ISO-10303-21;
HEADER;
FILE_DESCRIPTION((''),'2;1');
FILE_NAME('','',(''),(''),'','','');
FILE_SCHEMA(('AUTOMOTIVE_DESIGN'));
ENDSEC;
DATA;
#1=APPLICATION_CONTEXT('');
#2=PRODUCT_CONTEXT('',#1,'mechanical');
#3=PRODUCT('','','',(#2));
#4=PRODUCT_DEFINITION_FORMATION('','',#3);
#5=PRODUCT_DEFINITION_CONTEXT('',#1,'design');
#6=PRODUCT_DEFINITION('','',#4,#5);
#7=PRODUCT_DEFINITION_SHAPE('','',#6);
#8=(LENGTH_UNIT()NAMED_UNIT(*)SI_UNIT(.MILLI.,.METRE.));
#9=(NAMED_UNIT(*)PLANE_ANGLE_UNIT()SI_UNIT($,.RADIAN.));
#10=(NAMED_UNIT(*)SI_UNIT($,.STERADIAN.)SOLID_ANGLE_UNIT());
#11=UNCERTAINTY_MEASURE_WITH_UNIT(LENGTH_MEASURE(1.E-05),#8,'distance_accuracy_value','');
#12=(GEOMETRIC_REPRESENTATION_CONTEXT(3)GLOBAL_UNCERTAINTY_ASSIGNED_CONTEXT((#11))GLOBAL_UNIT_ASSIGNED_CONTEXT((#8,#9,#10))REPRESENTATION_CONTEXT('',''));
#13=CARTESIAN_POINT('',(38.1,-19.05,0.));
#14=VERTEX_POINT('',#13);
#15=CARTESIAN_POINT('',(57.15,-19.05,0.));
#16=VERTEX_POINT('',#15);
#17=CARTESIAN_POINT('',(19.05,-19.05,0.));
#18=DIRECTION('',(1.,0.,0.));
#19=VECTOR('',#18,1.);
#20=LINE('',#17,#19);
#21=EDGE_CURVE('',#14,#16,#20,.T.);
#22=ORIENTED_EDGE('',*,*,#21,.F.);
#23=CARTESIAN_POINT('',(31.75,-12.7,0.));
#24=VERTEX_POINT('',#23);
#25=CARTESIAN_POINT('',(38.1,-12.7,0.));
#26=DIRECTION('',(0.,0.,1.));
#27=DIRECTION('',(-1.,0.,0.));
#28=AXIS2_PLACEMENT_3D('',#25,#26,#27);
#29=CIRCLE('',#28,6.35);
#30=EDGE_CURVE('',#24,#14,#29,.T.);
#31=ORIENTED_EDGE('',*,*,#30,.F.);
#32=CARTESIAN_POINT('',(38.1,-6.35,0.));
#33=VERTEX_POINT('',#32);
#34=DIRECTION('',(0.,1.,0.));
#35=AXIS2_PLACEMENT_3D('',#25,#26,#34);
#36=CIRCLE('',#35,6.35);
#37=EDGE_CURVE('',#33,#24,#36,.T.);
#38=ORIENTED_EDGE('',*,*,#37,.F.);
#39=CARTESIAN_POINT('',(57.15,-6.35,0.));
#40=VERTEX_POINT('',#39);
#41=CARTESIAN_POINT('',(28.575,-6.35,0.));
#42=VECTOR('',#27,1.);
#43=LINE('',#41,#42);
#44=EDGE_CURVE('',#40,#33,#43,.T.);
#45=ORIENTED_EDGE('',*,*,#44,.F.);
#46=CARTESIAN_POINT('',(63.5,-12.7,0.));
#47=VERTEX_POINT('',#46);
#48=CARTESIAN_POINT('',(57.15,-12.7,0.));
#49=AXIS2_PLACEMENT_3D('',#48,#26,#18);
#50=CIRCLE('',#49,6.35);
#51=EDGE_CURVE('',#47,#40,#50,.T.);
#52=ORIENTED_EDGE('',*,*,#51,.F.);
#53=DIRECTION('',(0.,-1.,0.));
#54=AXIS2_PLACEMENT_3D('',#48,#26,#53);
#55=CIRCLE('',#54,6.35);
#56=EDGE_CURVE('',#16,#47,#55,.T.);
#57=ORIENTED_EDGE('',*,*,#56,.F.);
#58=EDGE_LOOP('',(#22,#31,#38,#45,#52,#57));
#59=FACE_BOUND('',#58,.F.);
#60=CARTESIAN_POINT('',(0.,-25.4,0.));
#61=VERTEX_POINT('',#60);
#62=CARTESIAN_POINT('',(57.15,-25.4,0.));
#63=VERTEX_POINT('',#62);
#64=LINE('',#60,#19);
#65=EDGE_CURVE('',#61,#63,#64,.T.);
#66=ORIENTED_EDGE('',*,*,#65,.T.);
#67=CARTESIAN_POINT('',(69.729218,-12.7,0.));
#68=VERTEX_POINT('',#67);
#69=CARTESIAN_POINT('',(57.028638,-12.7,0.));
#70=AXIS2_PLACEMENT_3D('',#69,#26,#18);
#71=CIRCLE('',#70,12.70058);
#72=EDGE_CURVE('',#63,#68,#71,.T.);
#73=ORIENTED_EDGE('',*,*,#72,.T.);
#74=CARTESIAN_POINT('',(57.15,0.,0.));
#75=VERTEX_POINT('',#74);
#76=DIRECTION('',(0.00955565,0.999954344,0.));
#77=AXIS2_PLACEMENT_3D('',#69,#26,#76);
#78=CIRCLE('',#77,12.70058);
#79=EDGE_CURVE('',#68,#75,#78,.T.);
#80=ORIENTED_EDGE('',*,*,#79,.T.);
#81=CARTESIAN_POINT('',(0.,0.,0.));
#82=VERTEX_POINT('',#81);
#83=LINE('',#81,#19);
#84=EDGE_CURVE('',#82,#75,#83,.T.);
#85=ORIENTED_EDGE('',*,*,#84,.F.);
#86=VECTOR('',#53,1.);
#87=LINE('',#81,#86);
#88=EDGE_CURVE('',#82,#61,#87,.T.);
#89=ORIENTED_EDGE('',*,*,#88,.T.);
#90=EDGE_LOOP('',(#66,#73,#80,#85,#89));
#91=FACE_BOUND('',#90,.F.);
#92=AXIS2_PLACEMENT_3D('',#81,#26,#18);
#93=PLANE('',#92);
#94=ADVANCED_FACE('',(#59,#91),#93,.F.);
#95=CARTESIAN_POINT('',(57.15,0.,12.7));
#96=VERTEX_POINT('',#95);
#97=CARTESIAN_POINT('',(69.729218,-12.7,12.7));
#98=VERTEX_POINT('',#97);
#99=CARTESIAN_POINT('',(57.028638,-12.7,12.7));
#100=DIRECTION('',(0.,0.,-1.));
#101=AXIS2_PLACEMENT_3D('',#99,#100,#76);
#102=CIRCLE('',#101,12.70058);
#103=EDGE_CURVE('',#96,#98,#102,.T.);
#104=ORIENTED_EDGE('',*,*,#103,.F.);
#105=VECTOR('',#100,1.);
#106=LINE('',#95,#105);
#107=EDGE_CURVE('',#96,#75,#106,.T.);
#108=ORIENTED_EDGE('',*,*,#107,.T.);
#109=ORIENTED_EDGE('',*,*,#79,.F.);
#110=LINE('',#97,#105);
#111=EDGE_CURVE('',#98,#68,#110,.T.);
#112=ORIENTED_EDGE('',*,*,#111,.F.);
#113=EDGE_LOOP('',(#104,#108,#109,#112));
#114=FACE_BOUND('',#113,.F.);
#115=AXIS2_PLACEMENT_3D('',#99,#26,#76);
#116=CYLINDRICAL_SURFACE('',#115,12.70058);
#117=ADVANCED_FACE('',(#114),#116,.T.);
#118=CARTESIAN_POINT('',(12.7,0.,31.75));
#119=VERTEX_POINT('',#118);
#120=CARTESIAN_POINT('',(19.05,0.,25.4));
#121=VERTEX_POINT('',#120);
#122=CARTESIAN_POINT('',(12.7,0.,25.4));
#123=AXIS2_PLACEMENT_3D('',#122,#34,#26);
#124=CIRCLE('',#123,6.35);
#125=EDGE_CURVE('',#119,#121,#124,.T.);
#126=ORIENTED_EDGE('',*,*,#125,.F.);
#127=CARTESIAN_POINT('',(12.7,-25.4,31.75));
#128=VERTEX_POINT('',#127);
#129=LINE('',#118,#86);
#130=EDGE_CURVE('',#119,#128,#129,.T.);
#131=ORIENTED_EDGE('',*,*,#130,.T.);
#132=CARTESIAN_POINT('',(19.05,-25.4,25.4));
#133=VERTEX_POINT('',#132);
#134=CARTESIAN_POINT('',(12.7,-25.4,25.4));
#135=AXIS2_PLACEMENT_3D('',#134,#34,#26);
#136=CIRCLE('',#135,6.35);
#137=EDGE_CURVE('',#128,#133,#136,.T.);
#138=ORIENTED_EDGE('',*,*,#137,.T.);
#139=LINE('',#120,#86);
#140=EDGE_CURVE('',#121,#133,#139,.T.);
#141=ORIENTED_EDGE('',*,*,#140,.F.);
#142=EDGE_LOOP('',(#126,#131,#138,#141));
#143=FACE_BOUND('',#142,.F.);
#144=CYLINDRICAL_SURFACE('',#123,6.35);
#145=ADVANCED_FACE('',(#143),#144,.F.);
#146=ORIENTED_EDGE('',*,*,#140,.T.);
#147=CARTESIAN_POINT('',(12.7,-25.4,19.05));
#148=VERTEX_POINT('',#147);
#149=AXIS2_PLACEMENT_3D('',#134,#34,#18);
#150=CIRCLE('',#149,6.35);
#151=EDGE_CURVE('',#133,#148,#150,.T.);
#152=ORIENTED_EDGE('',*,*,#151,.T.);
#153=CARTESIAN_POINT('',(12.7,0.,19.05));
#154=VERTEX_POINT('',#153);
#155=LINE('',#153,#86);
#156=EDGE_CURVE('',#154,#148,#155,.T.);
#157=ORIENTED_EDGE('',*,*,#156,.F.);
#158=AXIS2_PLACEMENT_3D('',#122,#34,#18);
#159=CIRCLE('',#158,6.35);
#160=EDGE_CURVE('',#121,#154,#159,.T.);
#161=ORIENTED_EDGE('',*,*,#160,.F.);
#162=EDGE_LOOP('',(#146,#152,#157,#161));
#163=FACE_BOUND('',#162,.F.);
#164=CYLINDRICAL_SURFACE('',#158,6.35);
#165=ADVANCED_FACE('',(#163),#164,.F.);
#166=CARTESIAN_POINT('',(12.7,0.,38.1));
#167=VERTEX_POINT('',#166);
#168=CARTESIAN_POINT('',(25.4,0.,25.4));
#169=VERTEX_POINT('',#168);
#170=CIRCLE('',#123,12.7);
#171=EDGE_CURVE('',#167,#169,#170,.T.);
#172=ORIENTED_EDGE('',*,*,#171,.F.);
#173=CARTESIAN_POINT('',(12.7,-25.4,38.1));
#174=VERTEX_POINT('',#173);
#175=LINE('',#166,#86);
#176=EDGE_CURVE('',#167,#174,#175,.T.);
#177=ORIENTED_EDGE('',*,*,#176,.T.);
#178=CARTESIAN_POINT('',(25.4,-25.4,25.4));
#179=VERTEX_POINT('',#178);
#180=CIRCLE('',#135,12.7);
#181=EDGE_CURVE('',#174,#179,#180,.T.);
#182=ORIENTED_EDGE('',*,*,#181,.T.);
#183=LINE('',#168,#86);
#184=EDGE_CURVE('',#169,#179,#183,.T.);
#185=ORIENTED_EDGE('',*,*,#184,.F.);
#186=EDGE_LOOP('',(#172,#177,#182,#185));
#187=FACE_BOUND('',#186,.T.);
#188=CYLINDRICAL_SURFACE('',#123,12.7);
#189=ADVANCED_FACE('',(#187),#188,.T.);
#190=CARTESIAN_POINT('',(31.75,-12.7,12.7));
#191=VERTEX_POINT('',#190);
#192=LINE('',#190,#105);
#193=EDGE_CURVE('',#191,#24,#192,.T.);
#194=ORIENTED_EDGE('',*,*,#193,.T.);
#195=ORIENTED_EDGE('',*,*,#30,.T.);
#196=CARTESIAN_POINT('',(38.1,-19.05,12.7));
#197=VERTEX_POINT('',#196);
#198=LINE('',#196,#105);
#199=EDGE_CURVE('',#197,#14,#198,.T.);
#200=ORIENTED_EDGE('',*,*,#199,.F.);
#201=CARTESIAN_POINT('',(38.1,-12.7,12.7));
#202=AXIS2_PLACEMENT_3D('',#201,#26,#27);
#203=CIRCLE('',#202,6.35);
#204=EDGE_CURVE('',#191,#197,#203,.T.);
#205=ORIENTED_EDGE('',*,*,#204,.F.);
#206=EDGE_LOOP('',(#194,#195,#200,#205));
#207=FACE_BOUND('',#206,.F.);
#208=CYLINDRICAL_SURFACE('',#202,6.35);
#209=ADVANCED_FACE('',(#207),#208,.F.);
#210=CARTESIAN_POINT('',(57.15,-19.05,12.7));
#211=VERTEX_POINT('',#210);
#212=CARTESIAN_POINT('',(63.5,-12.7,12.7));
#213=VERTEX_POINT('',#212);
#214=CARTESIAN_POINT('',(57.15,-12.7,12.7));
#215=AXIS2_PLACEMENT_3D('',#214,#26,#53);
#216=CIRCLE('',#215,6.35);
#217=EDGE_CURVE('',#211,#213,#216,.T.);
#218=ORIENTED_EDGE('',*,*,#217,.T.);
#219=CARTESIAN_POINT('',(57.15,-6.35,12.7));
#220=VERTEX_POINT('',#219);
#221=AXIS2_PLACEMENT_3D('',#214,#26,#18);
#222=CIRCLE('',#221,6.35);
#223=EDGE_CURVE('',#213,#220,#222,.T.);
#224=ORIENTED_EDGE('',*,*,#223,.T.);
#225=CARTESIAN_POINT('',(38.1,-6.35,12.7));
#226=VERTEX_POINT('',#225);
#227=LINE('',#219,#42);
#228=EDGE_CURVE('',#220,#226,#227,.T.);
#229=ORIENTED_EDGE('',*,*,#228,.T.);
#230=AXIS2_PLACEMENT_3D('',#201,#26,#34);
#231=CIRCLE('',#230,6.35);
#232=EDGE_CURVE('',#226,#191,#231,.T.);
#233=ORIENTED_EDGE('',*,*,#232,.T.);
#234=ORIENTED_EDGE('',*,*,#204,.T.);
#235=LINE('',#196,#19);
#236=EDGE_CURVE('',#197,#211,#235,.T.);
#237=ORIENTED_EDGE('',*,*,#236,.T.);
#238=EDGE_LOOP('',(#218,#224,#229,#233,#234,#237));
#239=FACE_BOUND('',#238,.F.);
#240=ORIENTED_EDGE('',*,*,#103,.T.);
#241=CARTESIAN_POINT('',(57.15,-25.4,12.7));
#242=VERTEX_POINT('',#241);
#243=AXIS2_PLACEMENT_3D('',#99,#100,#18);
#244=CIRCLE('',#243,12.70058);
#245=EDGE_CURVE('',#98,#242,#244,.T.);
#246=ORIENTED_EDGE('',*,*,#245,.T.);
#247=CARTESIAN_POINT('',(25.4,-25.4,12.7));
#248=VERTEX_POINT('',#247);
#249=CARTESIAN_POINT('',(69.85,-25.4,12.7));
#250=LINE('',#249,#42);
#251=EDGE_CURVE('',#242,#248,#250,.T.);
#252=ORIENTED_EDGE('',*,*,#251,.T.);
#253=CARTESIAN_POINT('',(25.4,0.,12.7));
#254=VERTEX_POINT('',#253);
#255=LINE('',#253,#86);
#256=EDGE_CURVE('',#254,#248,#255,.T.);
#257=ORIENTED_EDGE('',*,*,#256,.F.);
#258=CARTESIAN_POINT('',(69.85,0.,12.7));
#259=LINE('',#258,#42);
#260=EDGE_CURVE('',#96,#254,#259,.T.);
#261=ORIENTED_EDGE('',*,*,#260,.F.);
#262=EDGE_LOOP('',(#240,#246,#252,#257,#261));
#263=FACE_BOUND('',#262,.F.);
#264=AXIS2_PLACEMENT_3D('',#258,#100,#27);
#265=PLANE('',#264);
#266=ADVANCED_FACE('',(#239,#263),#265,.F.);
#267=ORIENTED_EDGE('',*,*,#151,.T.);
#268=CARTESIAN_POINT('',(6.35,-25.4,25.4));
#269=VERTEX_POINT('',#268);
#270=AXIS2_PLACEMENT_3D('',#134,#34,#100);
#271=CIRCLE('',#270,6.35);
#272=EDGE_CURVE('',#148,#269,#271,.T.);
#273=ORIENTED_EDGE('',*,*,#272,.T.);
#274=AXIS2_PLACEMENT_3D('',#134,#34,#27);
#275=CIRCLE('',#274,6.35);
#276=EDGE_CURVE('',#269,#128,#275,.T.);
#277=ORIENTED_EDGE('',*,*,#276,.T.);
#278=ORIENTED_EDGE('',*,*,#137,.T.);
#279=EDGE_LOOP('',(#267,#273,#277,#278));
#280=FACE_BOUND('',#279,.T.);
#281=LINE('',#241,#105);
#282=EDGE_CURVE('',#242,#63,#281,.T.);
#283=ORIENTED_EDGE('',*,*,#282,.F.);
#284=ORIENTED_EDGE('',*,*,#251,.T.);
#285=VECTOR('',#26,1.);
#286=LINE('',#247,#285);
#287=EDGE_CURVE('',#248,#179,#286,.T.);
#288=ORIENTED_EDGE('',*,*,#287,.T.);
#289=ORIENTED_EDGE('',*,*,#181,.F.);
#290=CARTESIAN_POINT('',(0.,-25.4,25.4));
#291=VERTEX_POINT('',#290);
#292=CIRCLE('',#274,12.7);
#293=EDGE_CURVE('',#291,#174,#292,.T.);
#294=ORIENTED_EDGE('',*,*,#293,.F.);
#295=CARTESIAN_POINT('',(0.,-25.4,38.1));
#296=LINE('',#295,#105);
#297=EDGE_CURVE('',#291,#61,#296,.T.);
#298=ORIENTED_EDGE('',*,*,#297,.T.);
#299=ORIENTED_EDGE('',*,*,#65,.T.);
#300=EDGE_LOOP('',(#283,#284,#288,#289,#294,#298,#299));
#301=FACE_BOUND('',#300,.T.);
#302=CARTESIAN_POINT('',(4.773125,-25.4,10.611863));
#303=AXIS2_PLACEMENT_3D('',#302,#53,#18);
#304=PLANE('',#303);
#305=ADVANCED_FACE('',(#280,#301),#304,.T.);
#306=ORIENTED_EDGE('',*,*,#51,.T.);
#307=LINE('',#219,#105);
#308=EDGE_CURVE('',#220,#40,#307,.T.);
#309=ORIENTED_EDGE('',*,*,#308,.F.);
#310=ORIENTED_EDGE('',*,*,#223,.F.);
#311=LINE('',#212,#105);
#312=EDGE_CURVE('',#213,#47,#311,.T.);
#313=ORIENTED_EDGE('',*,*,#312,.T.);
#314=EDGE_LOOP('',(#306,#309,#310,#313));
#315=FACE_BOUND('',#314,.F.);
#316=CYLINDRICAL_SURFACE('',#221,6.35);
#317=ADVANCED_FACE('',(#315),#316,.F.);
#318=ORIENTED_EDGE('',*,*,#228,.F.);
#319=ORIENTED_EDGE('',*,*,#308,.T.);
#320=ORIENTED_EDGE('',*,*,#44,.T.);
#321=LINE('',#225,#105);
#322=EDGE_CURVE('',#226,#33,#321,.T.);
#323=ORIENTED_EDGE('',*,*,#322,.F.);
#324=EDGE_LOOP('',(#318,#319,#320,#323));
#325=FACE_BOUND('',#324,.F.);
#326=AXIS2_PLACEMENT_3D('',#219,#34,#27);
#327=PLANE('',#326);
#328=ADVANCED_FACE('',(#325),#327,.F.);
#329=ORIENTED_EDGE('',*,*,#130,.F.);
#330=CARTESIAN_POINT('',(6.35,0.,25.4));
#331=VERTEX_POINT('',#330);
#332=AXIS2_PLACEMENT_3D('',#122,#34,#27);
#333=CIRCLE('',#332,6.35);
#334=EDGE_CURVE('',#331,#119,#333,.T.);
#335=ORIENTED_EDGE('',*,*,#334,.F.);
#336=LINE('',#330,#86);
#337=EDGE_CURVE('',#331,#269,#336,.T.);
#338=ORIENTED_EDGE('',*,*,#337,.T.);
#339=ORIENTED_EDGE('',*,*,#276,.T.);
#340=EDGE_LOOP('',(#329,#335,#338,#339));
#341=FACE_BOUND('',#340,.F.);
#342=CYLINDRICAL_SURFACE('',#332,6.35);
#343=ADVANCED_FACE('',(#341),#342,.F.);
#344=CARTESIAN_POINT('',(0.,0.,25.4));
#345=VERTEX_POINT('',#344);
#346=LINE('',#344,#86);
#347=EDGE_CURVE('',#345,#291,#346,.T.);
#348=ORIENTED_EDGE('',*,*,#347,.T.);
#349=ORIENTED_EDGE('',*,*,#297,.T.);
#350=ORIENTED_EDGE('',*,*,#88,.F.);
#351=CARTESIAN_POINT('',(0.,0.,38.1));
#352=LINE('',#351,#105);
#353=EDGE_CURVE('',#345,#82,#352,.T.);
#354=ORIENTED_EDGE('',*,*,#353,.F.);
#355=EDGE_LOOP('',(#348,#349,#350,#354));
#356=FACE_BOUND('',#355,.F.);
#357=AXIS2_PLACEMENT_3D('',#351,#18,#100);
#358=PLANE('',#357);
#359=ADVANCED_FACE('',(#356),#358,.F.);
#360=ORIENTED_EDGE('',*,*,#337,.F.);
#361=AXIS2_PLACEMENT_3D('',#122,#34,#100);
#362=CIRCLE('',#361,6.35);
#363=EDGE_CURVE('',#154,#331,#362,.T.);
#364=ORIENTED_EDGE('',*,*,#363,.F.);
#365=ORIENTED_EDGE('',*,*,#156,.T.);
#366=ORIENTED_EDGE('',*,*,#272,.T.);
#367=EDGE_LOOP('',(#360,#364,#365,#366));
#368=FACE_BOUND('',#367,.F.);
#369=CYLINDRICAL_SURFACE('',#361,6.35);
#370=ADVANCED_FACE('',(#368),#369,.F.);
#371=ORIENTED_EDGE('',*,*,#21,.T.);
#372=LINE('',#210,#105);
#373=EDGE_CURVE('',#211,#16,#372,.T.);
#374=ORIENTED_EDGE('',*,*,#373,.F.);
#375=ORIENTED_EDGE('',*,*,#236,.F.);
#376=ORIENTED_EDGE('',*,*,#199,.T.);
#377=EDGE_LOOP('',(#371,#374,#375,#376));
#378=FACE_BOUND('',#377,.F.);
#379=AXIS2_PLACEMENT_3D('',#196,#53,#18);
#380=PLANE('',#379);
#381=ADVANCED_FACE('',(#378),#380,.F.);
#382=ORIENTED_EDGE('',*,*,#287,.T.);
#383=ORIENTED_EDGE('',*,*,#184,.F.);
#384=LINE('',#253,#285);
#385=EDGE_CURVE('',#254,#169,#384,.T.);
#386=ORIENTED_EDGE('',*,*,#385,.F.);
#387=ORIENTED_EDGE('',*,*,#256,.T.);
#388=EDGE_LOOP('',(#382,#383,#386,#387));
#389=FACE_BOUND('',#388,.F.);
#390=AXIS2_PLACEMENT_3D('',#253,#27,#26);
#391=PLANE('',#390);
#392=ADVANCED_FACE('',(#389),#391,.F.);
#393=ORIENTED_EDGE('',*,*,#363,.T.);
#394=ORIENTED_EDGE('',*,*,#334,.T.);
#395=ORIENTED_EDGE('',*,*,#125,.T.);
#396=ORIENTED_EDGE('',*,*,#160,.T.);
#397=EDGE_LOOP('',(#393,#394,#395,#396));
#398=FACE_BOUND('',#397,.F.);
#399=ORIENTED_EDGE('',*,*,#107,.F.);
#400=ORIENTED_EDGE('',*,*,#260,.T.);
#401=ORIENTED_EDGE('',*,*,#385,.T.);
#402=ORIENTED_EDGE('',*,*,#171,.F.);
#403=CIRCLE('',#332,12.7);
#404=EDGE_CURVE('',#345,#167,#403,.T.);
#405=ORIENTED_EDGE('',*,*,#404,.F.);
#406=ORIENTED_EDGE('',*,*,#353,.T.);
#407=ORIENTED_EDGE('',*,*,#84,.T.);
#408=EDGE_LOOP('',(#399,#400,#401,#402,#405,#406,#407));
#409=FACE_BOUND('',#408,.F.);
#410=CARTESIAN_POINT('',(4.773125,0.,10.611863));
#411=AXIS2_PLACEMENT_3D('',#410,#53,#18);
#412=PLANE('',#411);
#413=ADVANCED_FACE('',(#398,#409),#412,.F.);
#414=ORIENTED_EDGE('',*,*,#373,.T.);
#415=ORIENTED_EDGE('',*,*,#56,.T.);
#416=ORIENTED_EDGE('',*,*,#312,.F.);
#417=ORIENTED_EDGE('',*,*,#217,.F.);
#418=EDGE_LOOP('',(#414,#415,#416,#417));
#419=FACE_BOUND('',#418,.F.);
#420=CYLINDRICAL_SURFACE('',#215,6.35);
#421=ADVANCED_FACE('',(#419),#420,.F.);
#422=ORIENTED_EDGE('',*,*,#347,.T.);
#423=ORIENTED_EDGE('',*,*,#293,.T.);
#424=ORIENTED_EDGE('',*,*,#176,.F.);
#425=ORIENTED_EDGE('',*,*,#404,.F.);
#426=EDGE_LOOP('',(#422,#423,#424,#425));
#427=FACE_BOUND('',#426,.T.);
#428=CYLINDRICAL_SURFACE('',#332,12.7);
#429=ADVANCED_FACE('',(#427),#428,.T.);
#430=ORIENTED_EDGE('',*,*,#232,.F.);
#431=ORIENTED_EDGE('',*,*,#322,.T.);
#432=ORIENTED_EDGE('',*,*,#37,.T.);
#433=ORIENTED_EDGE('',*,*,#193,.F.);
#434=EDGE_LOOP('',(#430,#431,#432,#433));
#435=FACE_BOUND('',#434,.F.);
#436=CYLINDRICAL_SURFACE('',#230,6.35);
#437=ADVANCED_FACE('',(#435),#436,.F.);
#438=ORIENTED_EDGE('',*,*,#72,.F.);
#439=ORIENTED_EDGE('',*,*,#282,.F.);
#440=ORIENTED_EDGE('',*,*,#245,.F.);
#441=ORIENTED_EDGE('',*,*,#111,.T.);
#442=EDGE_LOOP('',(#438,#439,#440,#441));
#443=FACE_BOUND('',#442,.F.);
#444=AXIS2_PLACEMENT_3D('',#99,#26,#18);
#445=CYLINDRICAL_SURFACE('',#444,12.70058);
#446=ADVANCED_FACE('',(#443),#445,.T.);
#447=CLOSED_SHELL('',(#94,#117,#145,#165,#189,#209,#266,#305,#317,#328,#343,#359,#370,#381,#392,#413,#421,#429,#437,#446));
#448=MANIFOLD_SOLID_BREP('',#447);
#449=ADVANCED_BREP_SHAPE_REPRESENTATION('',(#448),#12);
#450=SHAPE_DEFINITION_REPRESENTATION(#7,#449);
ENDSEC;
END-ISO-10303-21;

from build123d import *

# Parameters (mm, degrees)
F1_DEPTH = 25.4
F2_DEPTH = 25.4
F4_DEPTH = 25.4


with BuildPart() as f1:
    # F0 (on Front) → F1 (new body)
    with BuildSketch(Plane.XZ):
        with BuildLine():
            Line((0, 25.4), (0, 0))
            Line((0, 0), (12.7, 0))
            Line((12.7, 0), (12.7, 12.7))
            ThreePointArc((12.7, 12.7), (3.7197438789, 16.4197438789), (0, 25.4))
        make_face()
        with BuildLine():
            ThreePointArc((12.7, 38.1), (3.7197438789, 34.3802561211), (0, 25.4))
            Line((0, 25.4), (6.35, 25.4))
            ThreePointArc((6.35, 25.4), (8.2098719395, 29.8901280605), (12.7, 31.75))
            Line((12.7, 31.75), (12.7, 38.1))
        make_face()
        with BuildLine():
            Line((0, 38.1), (0, 25.4))
            ThreePointArc((0, 25.4), (3.7197438789, 34.3802561211), (12.7, 38.1))
            Line((12.7, 38.1), (0, 38.1))
        make_face()
        with BuildLine():
            Line((6.35, 25.4), (0, 25.4))
            ThreePointArc((0, 25.4), (3.7197438789, 16.4197438789), (12.7, 12.7))
            Line((12.7, 12.7), (12.7, 19.05))
            ThreePointArc((12.7, 19.05), (8.2098719395, 20.9098719395), (6.35, 25.4))
        make_face()
        with BuildLine():
            Line((12.7, 12.7), (12.7, 0))
            Line((12.7, 0), (69.85, 0))
            Line((69.85, 0), (69.85, 12.7))
            Line((69.85, 12.7), (25.4, 12.7))
            Line((25.4, 12.7), (25.4, 25.4))
            ThreePointArc((25.4, 25.4), (21.6802561211, 16.4197438789), (12.7, 12.7))
        make_face()
        with BuildLine():
            ThreePointArc((25.4, 25.4), (21.6802561211, 34.3802561211), (12.7, 38.1))
            Line((12.7, 38.1), (12.7, 31.75))
            ThreePointArc((12.7, 31.75), (17.1901280605, 29.8901280605), (19.05, 25.4))
            Line((19.05, 25.4), (25.4, 25.4))
        make_face()
        with BuildLine():
            Line((25.4, 38.1), (12.7, 38.1))
            ThreePointArc((12.7, 38.1), (21.6802561211, 34.3802561211), (25.4, 25.4))
            Line((25.4, 25.4), (25.4, 38.1))
        make_face()
        with BuildLine():
            Line((12.7, 19.05), (12.7, 12.7))
            ThreePointArc((12.7, 12.7), (21.6802561211, 16.4197438789), (25.4, 25.4))
            Line((25.4, 25.4), (19.05, 25.4))
            ThreePointArc((19.05, 25.4), (17.1901280605, 20.9098719395), (12.7, 19.05))
        make_face()
    extrude(amount=F1_DEPTH)

    # F0 (on Front) → F2 (cut)
    with BuildSketch(Plane.XZ):
        with BuildLine():
            Line((0, 38.1), (0, 25.4))
            ThreePointArc((0, 25.4), (3.7197438789, 34.3802561211), (12.7, 38.1))
            Line((12.7, 38.1), (0, 38.1))
        make_face()
        with BuildLine():
            Line((25.4, 38.1), (12.7, 38.1))
            ThreePointArc((12.7, 38.1), (21.6802561211, 34.3802561211), (25.4, 25.4))
            Line((25.4, 25.4), (25.4, 38.1))
        make_face()
    extrude(amount=F2_DEPTH, mode=Mode.SUBTRACT)

    # F3 (on face) → F4 (cut)
    with BuildSketch(Plane.XY.offset(12.7)):
        with BuildLine():
            ThreePointArc((44.45, -12.7), (42.5901280605, -8.2098719395), (38.1, -6.35))
            Line((38.1, -6.35), (38.1, -12.7))
            Line((38.1, -12.7), (44.45, -12.7))
        make_face()
        with BuildLine():
            Line((38.1, -12.7), (38.1, -6.35))
            ThreePointArc((38.1, -6.35), (33.6098719395, -8.2098719395), (31.75, -12.7))
            Line((31.75, -12.7), (38.1, -12.7))
        make_face()
        with BuildLine():
            Line((44.45, -12.7), (38.1, -12.7))
            Line((38.1, -12.7), (38.1, -19.05))
            ThreePointArc((38.1, -19.05), (42.5901280605, -17.1901280605), (44.45, -12.7))
        make_face()
        with BuildLine():
            Line((38.1, -19.05), (38.1, -12.7))
            Line((38.1, -12.7), (31.75, -12.7))
            ThreePointArc((31.75, -12.7), (33.6098719395, -17.1901280605), (38.1, -19.05))
        make_face()
        with BuildLine():
            ThreePointArc((63.5, -12.7), (61.6401280605, -8.2098719395), (57.15, -6.35))
            Line((57.15, -6.35), (57.15, -12.7))
            Line((57.15, -12.7), (63.5, -12.7))
        make_face()
        with BuildLine():
            Line((57.15, -12.7), (57.15, -6.35))
            ThreePointArc((57.15, -6.35), (52.6598719395, -8.2098719395), (50.8, -12.7))
            Line((50.8, -12.7), (57.15, -12.7))
        make_face()
        with BuildLine():
            Line((63.5, -12.7), (57.15, -12.7))
            Line((57.15, -12.7), (57.15, -19.05))
            ThreePointArc((57.15, -19.05), (61.6401280605, -17.1901280605), (63.5, -12.7))
        make_face()
        with BuildLine():
            Line((57.15, -12.7), (50.8, -12.7))
            ThreePointArc((50.8, -12.7), (52.6598719395, -17.1901280605), (57.15, -19.05))
            Line((57.15, -19.05), (57.15, -12.7))
        make_face()
        with BuildLine():
            Line((57.15, -6.35), (38.1, -6.35))
            ThreePointArc((38.1, -6.35), (42.5901280605, -8.2098719395), (44.45, -12.7))
            Line((44.45, -12.7), (50.8, -12.7))
            ThreePointArc((50.8, -12.7), (52.6598719395, -8.2098719395), (57.15, -6.35))
        make_face()
        with BuildLine():
            Line((50.8, -12.7), (44.45, -12.7))
            ThreePointArc((44.45, -12.7), (42.5901280605, -17.1901280605), (38.1, -19.05))
            Line((38.1, -19.05), (57.15, -19.05))
            ThreePointArc((57.15, -19.05), (52.6598719395, -17.1901280605), (50.8, -12.7))
        make_face()
        with BuildLine():
            Line((69.85, -12.7), (69.7292175596, -12.7))
            ThreePointArc((69.7292175596, -12.7), (66.0521098797, -21.6376550953), (57.15, -25.4))
            Line((57.15, -25.4), (69.85, -25.4))
            Line((69.85, -25.4), (69.85, -12.7))
        make_face()
        with BuildLine():
            Line((69.85, 0), (57.15, 0))
            ThreePointArc((57.15, 0), (66.0521098797, -3.7623449047), (69.7292175596, -12.7))
            Line((69.7292175596, -12.7), (69.85, -12.7))
            Line((69.85, -12.7), (69.85, 0))
        make_face()
    extrude(amount=-F4_DEPTH, mode=Mode.SUBTRACT)


solid = f1.part
